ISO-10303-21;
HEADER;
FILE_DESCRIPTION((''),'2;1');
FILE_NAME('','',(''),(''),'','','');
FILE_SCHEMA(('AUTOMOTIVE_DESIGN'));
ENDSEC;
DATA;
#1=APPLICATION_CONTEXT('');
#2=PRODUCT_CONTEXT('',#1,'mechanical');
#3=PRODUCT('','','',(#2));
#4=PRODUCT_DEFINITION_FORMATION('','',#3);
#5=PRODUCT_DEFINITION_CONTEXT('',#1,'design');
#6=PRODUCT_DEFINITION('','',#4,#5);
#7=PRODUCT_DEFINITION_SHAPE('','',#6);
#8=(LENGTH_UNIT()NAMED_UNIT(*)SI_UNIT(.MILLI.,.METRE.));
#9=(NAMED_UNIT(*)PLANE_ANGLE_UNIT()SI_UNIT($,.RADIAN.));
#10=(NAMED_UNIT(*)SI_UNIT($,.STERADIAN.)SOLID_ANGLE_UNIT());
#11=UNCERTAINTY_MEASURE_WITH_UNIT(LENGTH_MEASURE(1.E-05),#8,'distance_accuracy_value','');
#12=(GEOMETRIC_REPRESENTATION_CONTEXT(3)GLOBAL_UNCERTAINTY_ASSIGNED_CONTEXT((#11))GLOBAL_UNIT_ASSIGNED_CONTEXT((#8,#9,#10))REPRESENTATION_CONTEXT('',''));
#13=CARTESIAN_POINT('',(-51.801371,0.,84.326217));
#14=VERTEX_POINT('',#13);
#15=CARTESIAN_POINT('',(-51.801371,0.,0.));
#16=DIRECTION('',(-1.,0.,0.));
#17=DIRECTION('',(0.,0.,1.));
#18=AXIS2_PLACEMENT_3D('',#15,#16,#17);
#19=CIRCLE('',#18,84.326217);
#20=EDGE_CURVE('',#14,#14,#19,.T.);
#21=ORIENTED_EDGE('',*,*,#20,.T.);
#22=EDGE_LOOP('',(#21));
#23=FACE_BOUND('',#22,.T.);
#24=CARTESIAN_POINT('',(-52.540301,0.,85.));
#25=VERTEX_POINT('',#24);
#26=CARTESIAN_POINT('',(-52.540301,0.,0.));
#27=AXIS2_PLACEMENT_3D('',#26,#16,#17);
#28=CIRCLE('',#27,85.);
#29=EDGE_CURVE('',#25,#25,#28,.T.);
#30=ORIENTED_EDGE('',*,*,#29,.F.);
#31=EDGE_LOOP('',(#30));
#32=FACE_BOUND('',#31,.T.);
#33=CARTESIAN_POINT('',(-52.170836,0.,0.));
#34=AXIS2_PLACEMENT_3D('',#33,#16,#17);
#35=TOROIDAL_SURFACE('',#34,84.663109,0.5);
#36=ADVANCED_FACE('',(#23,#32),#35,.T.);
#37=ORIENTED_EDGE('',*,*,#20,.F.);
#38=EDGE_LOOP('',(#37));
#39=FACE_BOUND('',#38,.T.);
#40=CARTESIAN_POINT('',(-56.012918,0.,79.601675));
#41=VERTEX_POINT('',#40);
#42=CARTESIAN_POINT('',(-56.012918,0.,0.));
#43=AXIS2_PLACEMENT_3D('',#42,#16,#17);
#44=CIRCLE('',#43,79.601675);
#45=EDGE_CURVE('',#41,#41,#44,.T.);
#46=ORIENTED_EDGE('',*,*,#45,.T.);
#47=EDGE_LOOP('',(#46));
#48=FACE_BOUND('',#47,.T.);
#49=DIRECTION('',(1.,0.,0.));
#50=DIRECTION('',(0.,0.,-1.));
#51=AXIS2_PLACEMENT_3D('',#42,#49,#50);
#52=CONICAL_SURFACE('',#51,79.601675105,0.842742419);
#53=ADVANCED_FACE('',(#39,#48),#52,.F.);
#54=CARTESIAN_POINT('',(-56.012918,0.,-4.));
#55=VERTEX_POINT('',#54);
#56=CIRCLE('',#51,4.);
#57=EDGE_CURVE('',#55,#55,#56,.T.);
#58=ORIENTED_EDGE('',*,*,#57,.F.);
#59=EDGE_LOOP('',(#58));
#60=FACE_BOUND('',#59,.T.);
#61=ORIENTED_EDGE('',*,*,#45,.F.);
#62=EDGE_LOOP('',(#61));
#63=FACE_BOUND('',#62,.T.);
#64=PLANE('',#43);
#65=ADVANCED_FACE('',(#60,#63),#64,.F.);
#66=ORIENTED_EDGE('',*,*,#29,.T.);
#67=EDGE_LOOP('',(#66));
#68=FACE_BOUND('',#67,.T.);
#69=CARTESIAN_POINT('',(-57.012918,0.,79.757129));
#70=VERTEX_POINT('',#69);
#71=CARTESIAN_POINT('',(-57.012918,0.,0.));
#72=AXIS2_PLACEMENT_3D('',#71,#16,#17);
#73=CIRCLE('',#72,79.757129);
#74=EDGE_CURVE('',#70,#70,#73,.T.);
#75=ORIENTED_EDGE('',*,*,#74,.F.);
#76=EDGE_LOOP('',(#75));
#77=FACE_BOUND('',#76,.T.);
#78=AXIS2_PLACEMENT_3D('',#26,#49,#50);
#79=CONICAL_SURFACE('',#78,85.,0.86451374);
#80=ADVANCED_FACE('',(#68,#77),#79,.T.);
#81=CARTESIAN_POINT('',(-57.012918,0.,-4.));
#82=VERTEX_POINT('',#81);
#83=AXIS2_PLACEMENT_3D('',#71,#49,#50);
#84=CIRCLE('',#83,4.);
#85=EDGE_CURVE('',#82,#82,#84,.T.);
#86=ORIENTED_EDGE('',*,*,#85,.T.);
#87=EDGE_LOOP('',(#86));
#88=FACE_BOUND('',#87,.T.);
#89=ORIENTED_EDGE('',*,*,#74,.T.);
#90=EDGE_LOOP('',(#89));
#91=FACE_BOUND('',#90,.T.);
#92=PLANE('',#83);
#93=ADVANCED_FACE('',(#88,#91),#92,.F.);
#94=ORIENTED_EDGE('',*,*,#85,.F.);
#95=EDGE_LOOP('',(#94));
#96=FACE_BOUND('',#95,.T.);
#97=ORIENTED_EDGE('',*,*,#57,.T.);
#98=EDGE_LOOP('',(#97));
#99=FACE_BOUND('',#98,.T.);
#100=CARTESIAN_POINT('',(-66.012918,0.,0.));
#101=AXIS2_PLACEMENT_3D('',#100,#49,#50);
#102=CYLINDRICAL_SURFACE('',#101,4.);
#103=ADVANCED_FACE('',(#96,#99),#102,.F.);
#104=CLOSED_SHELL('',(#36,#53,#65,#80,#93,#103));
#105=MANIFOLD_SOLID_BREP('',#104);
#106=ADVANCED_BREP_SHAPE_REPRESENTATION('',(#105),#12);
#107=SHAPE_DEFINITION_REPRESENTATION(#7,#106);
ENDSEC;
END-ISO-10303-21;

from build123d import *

# Parameters (mm, degrees)
SKETCH3_R          = 4
CUT_EXTRUDE2_DEPTH = 10


with BuildPart() as part:
    # Sketch1 → Revolve2 (revolve)
    with BuildSketch(Plane.XY, mode=Mode.PRIVATE) as revolve2_sk:
        with BuildLine():
            Line((-57.012917733, 0), (-57.012917733, 79.757128962))
            Line((-57.012917733, 79.757128962), (-52.540300867, 85))
            ThreePointArc((-52.540300867, 85), (-51.833944752, 85.032573588), (-51.801371164, 84.326217473))
            Line((-51.801371164, 84.326217473), (-56.012917733, 79.601675105))
            Line((-56.012917733, 79.601675105), (-56.012917733, 0))
            Line((-56.012917733, 0), (-57.012917733, 0))
        make_face()
    revolve(revolve2_sk.sketch.rotate(Axis((-57.012917733, 0, 0), (1, 0, 0)), 90), axis=Axis((-57.012917733, 0, 0), (1, 0, 0)))

    # Sketch3 → Cut-Extrude2 (cut)
    with BuildSketch(Plane(origin=(-56.012917733, 0, 0), x_dir=(0, 0, -1), z_dir=(1, 0, 0))):
        Circle(SKETCH3_R)
    extrude(amount=-CUT_EXTRUDE2_DEPTH, mode=Mode.SUBTRACT)


solid = part.part
